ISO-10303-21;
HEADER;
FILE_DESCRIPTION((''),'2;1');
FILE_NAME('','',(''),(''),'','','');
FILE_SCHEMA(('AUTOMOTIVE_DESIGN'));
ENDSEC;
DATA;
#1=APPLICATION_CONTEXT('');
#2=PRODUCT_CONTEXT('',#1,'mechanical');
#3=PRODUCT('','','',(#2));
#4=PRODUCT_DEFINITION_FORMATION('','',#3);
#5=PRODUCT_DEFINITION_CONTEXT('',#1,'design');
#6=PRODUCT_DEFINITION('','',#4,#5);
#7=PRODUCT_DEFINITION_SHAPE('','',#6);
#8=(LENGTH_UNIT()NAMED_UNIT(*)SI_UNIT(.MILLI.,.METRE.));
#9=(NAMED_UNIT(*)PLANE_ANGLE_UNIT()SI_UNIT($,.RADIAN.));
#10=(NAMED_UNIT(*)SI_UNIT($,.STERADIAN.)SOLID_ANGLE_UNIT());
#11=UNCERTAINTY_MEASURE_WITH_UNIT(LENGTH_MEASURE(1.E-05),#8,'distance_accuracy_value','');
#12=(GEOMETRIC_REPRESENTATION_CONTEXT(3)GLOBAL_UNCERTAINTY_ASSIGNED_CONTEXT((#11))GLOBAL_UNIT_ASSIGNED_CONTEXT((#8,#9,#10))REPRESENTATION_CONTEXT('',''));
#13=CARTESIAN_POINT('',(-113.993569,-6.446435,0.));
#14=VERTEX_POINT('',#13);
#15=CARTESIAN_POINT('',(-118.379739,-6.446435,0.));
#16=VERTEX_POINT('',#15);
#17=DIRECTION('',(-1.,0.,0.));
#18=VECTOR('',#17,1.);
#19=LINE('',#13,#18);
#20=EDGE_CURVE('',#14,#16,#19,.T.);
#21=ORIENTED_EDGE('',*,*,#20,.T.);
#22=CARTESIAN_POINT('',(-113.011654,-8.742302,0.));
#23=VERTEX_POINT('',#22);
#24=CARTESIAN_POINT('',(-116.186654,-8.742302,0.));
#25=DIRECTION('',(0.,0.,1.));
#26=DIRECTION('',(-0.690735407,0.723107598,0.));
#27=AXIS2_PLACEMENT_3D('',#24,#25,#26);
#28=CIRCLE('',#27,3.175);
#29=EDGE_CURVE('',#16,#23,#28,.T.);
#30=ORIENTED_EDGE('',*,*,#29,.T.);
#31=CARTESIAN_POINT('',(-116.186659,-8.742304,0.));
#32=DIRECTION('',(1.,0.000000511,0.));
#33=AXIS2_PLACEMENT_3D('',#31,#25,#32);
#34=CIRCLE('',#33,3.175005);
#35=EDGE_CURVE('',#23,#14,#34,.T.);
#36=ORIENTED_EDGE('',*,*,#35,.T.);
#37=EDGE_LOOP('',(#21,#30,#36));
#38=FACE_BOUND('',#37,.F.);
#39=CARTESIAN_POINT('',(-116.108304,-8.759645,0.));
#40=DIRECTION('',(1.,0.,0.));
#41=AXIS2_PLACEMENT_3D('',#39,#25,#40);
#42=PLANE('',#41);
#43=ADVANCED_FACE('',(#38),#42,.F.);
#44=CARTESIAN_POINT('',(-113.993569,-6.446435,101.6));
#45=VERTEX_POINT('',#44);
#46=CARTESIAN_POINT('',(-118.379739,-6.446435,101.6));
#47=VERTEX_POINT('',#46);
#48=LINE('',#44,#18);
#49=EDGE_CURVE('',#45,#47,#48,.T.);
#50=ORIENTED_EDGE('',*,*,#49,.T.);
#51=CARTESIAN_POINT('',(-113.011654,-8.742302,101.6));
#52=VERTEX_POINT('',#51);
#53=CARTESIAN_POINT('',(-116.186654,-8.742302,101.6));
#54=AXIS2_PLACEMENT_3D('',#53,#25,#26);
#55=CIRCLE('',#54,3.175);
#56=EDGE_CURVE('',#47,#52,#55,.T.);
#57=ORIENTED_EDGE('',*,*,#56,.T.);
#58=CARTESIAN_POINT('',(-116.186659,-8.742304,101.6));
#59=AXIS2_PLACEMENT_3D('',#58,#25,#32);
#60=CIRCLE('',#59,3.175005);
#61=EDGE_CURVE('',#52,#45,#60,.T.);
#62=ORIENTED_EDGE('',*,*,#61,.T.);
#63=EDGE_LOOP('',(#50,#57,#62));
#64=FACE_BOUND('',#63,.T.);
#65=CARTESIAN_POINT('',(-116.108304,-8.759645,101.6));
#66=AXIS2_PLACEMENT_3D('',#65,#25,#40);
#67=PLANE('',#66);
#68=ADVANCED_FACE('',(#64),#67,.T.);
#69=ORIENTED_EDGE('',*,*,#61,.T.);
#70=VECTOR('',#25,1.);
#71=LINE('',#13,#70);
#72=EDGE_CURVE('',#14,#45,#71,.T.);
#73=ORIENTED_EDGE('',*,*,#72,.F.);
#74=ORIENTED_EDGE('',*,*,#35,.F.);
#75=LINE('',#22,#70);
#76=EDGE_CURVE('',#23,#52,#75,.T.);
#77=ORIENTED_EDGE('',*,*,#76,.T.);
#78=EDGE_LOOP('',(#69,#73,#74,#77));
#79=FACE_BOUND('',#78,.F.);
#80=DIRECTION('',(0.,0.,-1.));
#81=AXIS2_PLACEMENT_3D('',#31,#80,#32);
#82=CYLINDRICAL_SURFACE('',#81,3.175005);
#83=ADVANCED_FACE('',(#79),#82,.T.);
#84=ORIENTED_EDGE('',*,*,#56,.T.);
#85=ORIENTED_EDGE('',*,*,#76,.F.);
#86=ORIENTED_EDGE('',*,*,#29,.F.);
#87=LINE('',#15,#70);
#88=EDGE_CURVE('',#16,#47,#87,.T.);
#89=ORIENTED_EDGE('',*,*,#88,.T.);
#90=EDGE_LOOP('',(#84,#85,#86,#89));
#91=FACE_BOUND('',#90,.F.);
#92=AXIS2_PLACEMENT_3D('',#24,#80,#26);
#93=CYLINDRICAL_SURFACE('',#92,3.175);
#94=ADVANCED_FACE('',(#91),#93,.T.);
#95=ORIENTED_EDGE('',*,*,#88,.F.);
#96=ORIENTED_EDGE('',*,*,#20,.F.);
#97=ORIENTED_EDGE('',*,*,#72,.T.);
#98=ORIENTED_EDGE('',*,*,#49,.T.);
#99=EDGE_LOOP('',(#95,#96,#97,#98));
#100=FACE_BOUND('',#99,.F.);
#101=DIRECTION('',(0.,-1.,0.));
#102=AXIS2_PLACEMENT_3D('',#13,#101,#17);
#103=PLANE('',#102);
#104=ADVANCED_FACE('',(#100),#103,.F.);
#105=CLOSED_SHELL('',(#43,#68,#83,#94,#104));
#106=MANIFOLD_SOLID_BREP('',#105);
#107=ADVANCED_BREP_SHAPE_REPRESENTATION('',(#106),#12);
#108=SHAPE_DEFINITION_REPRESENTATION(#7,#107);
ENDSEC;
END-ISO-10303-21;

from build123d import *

# Parameters (mm, degrees)
F1_DEPTH = 101.6


with BuildPart() as f1:
    # F0 (on Top) → F1 (new body)
    with BuildSketch(Plane.XY):
        with BuildLine():
            ThreePointArc((-118.379739, -6.446435), (-117.435169, -11.66152), (-113.011654, -8.742302))
            ThreePointArc((-113.011654, -8.742302), (-113.267436, -7.493787), (-113.993569, -6.446435))
            Line((-113.993569, -6.446435), (-118.379739, -6.446435))
        make_face()
    extrude(amount=F1_DEPTH)


solid = f1.part
